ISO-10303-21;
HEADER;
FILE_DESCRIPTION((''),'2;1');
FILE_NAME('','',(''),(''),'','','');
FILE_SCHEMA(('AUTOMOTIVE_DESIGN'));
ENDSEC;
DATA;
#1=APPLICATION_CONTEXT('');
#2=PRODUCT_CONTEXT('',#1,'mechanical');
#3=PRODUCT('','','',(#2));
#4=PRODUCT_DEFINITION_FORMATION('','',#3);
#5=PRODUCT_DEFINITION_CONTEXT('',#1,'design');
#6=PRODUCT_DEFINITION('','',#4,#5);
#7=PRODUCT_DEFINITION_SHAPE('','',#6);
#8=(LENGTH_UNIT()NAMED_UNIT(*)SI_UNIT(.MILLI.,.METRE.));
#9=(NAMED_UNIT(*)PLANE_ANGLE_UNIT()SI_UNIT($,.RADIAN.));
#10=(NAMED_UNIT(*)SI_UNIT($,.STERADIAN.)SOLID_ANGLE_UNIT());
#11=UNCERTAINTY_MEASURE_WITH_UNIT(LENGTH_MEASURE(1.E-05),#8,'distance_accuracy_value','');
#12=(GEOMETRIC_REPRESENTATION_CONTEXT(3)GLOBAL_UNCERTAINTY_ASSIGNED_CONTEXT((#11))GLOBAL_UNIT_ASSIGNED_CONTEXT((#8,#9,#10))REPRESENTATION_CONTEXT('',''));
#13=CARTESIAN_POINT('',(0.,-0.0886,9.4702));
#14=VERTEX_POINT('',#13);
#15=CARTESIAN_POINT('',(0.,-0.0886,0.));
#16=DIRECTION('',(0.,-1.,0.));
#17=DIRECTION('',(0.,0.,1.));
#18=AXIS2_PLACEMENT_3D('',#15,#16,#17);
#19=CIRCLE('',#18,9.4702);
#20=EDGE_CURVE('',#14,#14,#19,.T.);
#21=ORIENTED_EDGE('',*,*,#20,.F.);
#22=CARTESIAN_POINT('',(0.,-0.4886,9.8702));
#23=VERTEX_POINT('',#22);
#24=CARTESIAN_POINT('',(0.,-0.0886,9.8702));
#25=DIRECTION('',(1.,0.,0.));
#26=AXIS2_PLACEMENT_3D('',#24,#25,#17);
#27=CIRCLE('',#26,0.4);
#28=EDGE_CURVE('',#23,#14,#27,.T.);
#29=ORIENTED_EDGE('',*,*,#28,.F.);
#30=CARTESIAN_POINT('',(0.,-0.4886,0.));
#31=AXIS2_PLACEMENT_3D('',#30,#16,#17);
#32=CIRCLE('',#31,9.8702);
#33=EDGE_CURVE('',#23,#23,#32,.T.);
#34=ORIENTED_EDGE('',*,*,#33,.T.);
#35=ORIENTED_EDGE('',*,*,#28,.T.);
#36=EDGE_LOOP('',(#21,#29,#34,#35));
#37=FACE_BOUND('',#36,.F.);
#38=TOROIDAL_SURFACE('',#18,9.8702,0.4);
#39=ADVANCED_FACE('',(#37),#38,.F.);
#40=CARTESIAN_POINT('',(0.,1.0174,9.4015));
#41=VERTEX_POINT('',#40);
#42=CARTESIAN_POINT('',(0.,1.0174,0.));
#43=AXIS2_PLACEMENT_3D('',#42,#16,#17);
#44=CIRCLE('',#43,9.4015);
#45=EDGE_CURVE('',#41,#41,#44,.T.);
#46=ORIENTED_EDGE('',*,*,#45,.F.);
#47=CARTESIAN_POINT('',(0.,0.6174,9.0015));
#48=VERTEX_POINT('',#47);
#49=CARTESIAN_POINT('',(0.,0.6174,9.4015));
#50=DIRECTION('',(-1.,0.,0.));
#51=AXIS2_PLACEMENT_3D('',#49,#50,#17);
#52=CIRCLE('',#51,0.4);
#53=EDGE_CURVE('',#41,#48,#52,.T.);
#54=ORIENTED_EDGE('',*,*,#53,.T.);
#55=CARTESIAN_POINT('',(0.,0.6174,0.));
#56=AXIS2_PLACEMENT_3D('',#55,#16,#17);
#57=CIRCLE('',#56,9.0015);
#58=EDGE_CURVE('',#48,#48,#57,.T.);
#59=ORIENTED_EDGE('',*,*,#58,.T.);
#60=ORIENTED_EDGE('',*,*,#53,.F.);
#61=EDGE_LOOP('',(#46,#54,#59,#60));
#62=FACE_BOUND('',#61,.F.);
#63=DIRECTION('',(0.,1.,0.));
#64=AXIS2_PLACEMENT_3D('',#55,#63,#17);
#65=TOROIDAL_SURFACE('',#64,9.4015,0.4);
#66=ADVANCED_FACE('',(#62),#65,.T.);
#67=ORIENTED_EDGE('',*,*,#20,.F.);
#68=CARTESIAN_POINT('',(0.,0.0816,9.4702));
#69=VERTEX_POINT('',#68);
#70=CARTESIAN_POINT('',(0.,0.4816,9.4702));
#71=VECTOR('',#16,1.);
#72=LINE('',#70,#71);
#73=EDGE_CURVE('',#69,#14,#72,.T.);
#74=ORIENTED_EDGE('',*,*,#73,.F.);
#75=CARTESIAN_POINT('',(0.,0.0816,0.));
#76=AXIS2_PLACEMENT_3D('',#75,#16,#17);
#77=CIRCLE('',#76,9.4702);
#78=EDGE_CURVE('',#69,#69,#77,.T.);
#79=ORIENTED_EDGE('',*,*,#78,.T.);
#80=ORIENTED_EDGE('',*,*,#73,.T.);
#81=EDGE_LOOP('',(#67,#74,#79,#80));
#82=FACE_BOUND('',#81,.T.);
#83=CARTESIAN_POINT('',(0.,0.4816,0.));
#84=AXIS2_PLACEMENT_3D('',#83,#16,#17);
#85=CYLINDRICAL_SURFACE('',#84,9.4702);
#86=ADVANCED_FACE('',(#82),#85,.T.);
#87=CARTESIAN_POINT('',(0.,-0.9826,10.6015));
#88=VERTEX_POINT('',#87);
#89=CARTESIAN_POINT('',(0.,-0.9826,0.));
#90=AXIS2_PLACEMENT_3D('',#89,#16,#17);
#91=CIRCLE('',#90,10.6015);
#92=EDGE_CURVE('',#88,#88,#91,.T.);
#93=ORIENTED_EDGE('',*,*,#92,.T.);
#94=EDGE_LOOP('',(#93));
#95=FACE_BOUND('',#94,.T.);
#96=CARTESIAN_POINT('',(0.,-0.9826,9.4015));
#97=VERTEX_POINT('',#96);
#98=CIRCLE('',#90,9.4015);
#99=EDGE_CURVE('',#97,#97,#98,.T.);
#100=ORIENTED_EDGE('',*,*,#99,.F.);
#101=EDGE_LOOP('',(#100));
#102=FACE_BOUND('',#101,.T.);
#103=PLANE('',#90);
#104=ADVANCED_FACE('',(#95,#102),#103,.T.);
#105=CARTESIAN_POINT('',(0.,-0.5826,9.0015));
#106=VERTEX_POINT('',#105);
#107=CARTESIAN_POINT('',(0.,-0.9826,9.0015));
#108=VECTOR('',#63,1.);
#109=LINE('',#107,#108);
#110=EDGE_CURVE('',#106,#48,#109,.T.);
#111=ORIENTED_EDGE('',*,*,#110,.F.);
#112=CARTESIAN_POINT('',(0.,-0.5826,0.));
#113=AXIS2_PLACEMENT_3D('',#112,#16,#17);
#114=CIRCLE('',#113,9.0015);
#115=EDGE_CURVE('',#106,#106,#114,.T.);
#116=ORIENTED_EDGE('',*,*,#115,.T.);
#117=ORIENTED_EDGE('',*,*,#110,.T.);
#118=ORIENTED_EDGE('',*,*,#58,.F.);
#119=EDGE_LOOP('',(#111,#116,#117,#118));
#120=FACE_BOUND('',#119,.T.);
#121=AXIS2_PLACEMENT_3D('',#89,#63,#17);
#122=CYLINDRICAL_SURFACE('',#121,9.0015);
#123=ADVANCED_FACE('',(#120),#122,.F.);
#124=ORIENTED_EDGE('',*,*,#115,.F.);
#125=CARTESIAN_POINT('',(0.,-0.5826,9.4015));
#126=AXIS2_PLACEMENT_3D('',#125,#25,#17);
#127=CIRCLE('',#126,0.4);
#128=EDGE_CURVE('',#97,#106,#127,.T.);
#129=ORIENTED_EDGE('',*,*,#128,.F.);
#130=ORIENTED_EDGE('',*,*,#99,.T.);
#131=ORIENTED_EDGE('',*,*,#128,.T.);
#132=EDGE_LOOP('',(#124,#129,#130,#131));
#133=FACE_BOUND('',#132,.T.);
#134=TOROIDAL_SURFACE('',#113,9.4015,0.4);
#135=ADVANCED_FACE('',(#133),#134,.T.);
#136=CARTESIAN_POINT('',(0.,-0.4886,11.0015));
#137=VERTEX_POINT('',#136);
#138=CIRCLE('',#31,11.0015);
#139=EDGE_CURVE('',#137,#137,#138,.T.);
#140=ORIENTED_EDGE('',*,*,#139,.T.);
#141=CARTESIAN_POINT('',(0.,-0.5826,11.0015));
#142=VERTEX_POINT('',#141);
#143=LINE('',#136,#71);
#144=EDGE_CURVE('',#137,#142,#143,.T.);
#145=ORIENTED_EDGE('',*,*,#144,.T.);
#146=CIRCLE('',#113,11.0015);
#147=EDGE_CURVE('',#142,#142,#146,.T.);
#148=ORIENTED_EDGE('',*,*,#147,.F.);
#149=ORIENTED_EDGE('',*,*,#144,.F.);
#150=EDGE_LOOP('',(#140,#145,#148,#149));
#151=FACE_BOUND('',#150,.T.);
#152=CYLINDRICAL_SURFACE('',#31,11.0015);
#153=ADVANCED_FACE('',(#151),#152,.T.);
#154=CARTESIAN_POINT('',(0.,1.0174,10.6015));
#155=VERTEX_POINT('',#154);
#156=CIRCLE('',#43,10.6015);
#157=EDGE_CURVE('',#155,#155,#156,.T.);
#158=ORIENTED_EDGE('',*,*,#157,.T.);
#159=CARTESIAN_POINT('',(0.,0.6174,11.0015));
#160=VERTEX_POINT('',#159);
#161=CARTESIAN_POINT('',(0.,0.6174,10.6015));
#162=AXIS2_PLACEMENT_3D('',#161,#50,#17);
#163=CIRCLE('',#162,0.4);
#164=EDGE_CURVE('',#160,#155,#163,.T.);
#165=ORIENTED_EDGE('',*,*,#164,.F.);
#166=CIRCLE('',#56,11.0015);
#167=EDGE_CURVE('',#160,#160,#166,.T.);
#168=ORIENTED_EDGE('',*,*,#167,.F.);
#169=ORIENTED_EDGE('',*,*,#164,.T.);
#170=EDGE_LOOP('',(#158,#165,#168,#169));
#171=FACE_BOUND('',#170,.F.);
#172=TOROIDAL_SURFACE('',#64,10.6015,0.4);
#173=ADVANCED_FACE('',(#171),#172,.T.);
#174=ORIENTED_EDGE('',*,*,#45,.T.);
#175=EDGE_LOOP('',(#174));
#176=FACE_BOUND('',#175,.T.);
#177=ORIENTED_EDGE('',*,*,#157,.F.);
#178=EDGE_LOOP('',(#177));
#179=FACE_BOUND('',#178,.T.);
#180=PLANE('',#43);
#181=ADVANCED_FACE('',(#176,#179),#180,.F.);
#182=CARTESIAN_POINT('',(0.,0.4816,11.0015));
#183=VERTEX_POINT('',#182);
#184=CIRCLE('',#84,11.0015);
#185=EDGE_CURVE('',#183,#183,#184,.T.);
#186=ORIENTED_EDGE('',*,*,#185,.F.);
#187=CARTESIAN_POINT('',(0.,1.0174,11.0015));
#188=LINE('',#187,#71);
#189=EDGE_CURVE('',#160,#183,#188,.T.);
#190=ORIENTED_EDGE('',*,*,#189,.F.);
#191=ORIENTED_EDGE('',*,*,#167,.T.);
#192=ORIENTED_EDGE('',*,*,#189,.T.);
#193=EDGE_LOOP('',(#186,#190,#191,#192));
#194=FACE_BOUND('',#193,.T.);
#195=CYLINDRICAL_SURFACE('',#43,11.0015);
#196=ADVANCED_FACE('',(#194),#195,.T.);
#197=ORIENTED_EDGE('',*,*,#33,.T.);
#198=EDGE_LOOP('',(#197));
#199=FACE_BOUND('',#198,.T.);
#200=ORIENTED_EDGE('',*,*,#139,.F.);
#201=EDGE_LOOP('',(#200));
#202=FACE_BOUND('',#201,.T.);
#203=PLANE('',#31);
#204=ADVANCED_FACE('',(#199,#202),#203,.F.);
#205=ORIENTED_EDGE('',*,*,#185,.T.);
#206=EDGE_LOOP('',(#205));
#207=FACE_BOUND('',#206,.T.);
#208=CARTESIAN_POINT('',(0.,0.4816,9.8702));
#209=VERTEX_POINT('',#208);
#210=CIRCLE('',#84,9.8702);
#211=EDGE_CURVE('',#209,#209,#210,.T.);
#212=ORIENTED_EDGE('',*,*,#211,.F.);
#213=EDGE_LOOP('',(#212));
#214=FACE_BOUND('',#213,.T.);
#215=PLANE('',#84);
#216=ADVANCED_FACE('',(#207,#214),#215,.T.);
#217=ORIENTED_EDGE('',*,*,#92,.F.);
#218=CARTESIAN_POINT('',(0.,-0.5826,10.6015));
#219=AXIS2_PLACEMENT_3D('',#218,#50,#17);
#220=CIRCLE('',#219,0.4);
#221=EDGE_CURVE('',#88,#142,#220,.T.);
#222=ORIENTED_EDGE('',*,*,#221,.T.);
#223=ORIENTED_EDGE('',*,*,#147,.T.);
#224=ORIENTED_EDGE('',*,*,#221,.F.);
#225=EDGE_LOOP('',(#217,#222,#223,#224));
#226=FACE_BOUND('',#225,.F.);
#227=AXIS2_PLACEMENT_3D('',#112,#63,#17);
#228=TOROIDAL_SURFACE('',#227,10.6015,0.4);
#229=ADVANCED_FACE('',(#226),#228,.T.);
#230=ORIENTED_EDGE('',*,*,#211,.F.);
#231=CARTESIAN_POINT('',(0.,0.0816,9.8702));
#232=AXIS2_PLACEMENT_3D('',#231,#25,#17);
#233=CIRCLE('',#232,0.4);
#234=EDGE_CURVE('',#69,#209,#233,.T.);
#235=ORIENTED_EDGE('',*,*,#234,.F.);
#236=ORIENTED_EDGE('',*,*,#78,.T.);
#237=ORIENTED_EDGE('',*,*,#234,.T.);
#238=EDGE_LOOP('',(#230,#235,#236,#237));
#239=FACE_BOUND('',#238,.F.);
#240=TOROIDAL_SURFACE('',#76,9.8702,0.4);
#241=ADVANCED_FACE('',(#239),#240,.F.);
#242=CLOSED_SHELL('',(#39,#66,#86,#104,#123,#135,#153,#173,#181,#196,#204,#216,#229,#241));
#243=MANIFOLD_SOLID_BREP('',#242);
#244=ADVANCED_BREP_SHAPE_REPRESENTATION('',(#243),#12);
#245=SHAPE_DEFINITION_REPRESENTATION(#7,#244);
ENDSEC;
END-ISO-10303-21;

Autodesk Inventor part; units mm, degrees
ref_plane "YZ Plane" through (0, 0, 0) normal (1, 0, 0) x (0, 1, 0)
ref_plane "XZ Plane" through (0, 0, 0) normal (0, 1, 0) x (-1, 0, 0)
ref_plane "XY Plane" through (0, 0, 0) normal (0, 0, 1) x (1, 0, 0)
sketch "Sketch1" plane through (0, 0, 0) normal (1, 0, 0) x (0, 1, 0)
  line L0 (-0.9826, 9.0015) -> (1.0174, 9.0015)
  line L1 (1.0174, 9.0015) -> (1.0174, 11.0015)
  line L2 (1.0174, 11.0015) -> (0.4816, 11.0015)
  line L3 (0.4816, 11.0015) -> (0.4816, 9.4702)
  line L4 (0.4816, 9.4702) -> (-0.4886, 9.4702)
  line L5 (-0.4886, 9.4702) -> (-0.4886, 11.0015)
  line L6 (-0.4886, 11.0015) -> (-0.9826, 11.0015)
  line L7 (1.4983, 0) -> (1.4983, 9) construction
  line L8 (-0.9826, 11.0015) -> (-0.9826, 9.0015)
  line L9 (8.3035, 0) -> (4.0958, 0) construction
  point P0 (0, 0)
  dimension "d0" = 9
  dimension "d1" = 2
  dimension "d2" = 2
revolve "Revolution1" add sketch "Sketch1" angle 360 about axis through (0, 8.3035, 0) along (0, -1, 0)
fillet "Fillet2" radius 0.4 6 edges at (0, 1.0174, -9.0015) (0, -0.9826, -9.0015) (0, 1.0174, -11.0015) (0, -0.9826, -11.0015) (0, -0.4886, -9.4702) (0, 0.4816, -9.4702)
properties part number "18mm_id_2mm_height"
